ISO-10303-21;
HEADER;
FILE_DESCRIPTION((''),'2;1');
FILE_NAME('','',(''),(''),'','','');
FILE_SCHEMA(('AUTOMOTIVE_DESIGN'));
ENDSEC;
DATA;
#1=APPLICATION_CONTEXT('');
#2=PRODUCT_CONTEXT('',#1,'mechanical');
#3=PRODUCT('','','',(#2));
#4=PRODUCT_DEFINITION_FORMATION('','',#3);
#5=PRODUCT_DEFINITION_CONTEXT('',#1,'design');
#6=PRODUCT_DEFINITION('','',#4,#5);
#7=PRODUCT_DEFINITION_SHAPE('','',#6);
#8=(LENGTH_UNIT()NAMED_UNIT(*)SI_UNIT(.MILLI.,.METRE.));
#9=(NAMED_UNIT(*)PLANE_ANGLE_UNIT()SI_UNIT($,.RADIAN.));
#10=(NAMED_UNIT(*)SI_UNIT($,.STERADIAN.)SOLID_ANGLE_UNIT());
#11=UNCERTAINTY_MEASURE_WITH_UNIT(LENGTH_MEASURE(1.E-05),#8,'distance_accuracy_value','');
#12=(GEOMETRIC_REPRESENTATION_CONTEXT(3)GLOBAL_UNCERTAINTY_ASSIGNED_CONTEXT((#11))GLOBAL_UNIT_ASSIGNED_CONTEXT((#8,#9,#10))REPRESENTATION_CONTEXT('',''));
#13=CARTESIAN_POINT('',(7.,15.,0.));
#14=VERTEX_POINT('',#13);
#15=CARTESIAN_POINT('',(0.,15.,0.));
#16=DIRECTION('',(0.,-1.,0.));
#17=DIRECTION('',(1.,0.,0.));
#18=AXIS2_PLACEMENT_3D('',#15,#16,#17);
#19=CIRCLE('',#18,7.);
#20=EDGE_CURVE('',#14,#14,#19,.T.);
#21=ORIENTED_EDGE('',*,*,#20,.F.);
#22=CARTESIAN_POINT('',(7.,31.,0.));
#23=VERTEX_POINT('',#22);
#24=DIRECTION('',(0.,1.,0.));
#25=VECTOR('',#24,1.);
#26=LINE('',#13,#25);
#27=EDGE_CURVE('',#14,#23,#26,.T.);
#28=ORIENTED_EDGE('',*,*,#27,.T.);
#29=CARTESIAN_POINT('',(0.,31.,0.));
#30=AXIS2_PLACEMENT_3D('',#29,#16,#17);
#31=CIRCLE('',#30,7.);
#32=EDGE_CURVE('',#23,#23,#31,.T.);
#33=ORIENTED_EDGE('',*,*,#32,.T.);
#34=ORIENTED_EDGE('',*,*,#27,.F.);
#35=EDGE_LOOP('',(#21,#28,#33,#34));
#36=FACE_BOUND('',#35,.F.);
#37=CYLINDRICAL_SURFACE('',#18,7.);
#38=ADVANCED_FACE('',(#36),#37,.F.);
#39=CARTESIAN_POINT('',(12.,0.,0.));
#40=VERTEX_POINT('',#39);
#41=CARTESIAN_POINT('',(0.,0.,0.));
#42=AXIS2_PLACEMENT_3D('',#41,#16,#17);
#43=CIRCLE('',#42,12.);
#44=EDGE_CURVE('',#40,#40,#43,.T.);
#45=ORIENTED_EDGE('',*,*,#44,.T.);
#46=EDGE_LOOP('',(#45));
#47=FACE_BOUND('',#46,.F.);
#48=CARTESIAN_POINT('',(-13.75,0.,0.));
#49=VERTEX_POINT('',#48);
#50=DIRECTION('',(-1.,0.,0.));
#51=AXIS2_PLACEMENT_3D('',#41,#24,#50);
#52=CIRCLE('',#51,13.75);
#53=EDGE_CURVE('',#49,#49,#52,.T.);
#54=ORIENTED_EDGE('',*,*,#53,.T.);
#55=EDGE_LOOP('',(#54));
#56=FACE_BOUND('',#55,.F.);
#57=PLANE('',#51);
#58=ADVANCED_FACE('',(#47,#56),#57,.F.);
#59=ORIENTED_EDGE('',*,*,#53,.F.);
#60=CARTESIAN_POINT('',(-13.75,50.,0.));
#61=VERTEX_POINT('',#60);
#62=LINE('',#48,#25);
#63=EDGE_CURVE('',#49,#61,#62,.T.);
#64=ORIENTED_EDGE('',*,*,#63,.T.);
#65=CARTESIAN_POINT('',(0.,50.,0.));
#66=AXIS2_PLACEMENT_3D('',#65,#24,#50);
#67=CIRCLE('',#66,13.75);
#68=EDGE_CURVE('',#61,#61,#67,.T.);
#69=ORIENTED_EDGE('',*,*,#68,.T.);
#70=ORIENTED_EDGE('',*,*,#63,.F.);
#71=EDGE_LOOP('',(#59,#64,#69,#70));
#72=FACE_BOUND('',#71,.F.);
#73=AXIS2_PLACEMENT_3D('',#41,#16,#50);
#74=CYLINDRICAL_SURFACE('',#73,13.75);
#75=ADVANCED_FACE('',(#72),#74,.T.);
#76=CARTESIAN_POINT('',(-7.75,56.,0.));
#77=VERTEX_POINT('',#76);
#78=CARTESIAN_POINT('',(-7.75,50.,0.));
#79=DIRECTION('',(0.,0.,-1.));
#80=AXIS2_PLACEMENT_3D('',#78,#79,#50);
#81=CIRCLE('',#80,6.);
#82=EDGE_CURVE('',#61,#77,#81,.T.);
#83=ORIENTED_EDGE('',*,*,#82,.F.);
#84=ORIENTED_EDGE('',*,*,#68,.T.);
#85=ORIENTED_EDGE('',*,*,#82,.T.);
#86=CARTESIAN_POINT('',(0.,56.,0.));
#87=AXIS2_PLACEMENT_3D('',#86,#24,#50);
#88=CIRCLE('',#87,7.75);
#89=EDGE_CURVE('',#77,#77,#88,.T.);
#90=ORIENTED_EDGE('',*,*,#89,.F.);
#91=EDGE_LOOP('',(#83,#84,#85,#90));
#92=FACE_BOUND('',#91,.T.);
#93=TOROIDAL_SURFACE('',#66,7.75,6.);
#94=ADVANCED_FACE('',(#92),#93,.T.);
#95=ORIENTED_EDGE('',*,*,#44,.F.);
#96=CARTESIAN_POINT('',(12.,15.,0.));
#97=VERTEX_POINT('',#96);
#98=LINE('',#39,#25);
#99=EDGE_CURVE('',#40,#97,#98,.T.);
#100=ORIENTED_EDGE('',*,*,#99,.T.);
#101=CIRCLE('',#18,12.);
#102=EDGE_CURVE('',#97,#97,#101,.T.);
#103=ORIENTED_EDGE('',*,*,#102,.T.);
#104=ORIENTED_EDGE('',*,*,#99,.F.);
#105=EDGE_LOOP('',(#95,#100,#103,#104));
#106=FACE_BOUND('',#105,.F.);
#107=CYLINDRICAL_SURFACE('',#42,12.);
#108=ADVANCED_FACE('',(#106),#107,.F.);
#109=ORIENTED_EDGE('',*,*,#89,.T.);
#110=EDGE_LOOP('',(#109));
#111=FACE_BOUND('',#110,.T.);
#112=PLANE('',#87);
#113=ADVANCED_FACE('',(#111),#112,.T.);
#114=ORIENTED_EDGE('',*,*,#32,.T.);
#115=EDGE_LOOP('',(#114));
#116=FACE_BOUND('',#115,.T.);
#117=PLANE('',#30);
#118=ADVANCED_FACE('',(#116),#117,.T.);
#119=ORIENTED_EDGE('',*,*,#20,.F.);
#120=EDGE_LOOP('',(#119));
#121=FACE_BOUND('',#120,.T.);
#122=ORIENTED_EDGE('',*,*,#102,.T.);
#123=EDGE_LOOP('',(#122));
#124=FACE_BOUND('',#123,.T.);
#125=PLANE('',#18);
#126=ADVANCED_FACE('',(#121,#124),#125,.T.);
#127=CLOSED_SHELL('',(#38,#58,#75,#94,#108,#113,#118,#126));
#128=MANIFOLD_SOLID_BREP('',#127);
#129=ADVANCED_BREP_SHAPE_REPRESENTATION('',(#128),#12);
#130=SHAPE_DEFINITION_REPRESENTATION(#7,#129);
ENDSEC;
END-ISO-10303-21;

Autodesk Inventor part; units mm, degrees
ref_plane "YZ Plane" through (0, 0, 0) normal (1, 0, 0) x (0, 1, 0)
ref_plane "XZ Plane" through (0, 0, 0) normal (0, 1, 0) x (-1, 0, 0)
ref_plane "XY Plane" through (0, 0, 0) normal (0, 0, 1) x (1, 0, 0)
sketch "Sketch1" plane through (0, 0, 0) normal (0, 1, 0) x (-1, 0, 0)
  circle A0 centre (0, 0) radius 13.75
  dimension "d0" = 27.5
extrude "Extrusion1" add sketch "Sketch1" along normal blind 56
fillet "Fillet1" radius 6 1 edges at (13.75, 56, 0)
sketch "Sketch2" plane through (0, 0, 0) normal (0, -1, 0) x (1, 0, 0)
  circle A0 centre (0, 0) radius 12
  dimension "d4" = 24
extrude "Extrusion2" cut sketch "Sketch2" against normal blind 15
sketch "Sketch3" plane through (0, 15, 0) normal (0, -1, 0) x (1, 0, 0)
  circle A0 centre (0, 0) radius 7
  dimension "d7" = 14
extrude "Extrusion3" cut sketch "Sketch3" against normal blind 16
properties part number "E14 socket"
